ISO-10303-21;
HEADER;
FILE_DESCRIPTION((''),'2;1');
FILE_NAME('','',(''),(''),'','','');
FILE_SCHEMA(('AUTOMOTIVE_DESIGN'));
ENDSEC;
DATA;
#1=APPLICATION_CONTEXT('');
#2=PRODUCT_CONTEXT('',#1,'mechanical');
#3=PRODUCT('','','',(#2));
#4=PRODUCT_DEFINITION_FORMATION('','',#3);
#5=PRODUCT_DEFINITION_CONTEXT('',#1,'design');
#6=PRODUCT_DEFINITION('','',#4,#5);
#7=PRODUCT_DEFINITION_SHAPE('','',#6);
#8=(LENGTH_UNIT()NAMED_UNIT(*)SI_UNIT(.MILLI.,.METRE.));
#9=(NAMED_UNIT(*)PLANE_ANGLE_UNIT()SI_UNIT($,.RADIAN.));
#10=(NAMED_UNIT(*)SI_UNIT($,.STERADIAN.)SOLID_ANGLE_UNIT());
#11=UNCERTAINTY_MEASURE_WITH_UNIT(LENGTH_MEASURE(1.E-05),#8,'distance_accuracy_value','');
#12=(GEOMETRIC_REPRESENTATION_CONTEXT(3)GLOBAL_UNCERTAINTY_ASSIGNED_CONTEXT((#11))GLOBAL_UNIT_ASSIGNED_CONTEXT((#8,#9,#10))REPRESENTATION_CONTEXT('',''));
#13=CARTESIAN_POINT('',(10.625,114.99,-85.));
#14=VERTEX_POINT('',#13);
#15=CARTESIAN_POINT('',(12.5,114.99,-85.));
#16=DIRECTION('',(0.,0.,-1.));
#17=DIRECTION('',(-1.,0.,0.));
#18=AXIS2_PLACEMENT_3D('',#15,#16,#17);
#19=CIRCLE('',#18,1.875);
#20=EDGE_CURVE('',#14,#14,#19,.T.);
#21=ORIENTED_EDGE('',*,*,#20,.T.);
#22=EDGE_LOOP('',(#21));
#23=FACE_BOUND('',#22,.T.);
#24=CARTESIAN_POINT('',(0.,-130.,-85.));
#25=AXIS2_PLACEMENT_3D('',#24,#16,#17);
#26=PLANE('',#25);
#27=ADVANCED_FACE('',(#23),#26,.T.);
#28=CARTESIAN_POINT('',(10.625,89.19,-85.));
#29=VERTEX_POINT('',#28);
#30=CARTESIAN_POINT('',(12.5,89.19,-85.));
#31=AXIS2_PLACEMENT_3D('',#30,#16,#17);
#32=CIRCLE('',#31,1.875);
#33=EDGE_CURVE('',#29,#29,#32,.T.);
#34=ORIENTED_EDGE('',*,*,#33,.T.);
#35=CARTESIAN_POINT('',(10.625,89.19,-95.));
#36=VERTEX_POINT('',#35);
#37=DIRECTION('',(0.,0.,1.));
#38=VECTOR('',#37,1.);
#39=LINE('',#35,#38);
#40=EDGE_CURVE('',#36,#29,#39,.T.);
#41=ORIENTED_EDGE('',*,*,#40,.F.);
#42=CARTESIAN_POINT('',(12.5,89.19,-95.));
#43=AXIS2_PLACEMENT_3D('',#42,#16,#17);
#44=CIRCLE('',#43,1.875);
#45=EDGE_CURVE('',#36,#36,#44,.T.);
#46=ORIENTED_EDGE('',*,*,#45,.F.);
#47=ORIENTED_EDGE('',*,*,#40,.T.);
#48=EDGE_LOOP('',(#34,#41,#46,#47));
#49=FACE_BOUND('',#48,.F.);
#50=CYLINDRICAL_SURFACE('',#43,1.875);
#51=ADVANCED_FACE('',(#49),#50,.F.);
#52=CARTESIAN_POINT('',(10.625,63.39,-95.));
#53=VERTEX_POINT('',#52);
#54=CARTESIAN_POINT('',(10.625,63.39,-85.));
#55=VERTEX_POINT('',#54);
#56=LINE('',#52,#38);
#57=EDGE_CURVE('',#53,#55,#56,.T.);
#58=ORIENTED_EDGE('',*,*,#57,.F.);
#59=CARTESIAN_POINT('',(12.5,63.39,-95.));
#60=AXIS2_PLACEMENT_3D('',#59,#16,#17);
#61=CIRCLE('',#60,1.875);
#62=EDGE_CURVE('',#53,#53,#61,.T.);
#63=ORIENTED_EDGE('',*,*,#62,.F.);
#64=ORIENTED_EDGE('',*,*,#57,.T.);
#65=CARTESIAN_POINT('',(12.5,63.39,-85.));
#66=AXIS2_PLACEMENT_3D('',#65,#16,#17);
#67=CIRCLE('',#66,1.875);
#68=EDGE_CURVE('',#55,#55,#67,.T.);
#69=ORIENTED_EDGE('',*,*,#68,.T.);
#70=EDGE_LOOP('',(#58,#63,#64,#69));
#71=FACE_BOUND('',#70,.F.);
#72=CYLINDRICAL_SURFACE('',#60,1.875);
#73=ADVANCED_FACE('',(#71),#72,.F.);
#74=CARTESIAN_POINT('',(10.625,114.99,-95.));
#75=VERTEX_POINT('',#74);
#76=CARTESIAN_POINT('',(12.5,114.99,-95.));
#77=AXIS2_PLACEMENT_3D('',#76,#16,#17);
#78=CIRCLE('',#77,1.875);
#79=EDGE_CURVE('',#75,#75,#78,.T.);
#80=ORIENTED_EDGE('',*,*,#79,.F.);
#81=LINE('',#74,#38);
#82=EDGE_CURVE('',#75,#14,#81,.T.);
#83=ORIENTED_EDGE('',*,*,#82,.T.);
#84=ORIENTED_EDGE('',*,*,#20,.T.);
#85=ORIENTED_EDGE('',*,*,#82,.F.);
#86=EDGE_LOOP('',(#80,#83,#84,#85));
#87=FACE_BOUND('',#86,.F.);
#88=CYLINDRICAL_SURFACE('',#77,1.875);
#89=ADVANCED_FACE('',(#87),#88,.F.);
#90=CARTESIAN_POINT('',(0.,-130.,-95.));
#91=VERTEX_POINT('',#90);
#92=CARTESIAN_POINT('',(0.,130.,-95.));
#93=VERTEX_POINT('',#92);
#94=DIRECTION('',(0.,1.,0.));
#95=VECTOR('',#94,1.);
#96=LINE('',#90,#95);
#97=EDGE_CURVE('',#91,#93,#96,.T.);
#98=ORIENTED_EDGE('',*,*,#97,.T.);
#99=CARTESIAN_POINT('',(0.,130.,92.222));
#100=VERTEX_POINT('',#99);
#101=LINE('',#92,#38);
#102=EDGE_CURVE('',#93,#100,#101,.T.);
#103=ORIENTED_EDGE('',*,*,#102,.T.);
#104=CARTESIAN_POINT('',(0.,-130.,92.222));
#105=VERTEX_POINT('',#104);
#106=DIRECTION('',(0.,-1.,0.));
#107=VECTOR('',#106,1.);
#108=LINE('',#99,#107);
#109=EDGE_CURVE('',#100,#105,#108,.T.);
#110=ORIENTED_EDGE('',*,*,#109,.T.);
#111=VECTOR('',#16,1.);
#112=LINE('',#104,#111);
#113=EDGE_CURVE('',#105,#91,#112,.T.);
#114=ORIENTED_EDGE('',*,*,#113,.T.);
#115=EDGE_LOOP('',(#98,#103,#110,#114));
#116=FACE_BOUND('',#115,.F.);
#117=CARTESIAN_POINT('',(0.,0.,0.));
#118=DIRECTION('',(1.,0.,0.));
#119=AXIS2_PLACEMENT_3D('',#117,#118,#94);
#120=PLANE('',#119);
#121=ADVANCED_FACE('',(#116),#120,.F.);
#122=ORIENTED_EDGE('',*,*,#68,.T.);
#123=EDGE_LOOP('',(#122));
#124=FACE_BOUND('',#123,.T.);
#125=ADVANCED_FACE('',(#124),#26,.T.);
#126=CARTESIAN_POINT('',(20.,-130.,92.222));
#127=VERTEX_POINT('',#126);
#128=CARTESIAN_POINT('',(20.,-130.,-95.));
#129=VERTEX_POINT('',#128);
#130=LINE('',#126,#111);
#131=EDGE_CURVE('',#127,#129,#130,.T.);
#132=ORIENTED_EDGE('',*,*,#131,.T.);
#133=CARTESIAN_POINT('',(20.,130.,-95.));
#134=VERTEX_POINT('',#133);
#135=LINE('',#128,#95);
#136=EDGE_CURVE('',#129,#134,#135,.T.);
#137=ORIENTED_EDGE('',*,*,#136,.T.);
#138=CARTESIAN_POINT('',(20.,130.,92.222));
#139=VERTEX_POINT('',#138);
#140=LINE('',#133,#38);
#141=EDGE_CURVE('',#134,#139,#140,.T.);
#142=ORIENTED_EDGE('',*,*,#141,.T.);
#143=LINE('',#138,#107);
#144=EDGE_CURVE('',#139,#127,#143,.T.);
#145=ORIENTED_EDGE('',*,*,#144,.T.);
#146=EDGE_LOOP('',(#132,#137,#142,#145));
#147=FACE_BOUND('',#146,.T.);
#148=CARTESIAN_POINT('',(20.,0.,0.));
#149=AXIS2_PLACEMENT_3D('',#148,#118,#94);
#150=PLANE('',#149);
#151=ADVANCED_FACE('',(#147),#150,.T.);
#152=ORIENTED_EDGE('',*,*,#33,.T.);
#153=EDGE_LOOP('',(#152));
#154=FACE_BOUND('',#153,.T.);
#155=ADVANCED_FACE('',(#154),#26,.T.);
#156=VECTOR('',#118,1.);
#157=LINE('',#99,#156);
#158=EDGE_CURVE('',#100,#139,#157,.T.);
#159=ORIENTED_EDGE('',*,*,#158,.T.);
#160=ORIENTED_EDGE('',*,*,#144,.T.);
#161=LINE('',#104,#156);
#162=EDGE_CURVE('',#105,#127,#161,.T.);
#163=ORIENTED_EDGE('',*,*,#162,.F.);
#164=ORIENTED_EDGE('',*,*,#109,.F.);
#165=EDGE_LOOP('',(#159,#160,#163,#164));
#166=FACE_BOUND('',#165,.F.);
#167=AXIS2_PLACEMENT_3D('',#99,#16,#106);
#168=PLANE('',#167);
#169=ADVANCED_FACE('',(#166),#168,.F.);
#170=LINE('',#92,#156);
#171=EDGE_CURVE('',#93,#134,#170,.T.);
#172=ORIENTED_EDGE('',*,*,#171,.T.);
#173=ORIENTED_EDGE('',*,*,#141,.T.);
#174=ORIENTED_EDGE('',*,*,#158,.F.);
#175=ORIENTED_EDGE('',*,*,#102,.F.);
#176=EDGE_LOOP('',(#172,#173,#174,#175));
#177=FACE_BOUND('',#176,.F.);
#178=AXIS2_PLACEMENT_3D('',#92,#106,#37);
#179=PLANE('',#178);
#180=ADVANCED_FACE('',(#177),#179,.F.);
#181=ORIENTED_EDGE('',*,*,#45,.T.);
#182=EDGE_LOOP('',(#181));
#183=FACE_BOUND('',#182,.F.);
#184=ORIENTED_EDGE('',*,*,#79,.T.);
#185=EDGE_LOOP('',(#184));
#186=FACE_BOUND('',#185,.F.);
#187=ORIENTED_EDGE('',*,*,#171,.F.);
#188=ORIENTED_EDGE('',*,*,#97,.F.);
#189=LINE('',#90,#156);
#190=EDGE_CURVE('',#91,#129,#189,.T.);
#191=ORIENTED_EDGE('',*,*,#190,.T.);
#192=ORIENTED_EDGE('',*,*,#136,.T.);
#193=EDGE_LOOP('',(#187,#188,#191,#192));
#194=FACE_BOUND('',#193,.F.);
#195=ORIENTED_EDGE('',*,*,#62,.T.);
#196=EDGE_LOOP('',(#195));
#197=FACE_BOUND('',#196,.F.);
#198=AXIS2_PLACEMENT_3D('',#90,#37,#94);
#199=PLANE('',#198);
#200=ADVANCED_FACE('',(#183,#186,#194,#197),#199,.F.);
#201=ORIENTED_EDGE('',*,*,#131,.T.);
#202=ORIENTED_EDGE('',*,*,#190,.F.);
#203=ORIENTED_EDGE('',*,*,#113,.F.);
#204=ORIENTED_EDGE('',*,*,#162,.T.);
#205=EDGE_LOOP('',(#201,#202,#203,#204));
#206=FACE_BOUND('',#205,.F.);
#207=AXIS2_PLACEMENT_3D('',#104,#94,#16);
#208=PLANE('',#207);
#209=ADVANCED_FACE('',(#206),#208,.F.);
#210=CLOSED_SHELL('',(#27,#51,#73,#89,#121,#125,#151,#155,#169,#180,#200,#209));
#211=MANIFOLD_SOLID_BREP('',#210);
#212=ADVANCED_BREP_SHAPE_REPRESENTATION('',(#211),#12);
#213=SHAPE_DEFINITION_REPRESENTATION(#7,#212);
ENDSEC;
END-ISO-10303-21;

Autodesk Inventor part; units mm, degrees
ref_plane "YZ Plane" through (0, 0, 0) normal (1, 0, 0) x (0, 1, 0)
ref_plane "XZ Plane" through (0, 0, 0) normal (0, 1, 0) x (-1, 0, 0)
ref_plane "XY Plane" through (0, 0, 0) normal (0, 0, 1) x (1, 0, 0)
sketch "Sketch1" plane through (0, 0, 0) normal (1, 0, 0) x (0, 1, 0)
  line L0 (-130, 92.222) -> (-130, -95)
  line L1 (-130, -95) -> (130, -95)
  line L2 (130, -95) -> (130, 92.222)
  line L3 (130, 92.222) -> (-130, 92.222)
  point P0 (0, 0)
  dimension "d0" = 260
extrude "Extrusion1" add sketch "Sketch1" along normal blind 20
sketch "Sketch2" plane through (0, -130, -95) normal (0, 0, -1) x (-1, 0, 0)
  circle A0 centre (-12.5, 244.99) radius 1.875
  circle A1 centre (-12.5, 219.19) radius 1.875
  circle A2 centre (-12.5, 193.39) radius 1.875
  line L0 (0, 260) -> (-20, 260) projected
  line L1 (0, 0) -> (0, 260) projected
  point P0 (0, 130)
  dimension "d4" = 3.75
  dimension "d5" = 3.75
  dimension "d6" = 3.75
  dimension "d7" = 15.01
  dimension "d8" = 25.8
  dimension "d9" = 25.8
  dimension "d10" = 12.5
extrude "Extrusion2" cut sketch "Sketch2" against normal blind 10
properties part number "Battery Box Cover"
